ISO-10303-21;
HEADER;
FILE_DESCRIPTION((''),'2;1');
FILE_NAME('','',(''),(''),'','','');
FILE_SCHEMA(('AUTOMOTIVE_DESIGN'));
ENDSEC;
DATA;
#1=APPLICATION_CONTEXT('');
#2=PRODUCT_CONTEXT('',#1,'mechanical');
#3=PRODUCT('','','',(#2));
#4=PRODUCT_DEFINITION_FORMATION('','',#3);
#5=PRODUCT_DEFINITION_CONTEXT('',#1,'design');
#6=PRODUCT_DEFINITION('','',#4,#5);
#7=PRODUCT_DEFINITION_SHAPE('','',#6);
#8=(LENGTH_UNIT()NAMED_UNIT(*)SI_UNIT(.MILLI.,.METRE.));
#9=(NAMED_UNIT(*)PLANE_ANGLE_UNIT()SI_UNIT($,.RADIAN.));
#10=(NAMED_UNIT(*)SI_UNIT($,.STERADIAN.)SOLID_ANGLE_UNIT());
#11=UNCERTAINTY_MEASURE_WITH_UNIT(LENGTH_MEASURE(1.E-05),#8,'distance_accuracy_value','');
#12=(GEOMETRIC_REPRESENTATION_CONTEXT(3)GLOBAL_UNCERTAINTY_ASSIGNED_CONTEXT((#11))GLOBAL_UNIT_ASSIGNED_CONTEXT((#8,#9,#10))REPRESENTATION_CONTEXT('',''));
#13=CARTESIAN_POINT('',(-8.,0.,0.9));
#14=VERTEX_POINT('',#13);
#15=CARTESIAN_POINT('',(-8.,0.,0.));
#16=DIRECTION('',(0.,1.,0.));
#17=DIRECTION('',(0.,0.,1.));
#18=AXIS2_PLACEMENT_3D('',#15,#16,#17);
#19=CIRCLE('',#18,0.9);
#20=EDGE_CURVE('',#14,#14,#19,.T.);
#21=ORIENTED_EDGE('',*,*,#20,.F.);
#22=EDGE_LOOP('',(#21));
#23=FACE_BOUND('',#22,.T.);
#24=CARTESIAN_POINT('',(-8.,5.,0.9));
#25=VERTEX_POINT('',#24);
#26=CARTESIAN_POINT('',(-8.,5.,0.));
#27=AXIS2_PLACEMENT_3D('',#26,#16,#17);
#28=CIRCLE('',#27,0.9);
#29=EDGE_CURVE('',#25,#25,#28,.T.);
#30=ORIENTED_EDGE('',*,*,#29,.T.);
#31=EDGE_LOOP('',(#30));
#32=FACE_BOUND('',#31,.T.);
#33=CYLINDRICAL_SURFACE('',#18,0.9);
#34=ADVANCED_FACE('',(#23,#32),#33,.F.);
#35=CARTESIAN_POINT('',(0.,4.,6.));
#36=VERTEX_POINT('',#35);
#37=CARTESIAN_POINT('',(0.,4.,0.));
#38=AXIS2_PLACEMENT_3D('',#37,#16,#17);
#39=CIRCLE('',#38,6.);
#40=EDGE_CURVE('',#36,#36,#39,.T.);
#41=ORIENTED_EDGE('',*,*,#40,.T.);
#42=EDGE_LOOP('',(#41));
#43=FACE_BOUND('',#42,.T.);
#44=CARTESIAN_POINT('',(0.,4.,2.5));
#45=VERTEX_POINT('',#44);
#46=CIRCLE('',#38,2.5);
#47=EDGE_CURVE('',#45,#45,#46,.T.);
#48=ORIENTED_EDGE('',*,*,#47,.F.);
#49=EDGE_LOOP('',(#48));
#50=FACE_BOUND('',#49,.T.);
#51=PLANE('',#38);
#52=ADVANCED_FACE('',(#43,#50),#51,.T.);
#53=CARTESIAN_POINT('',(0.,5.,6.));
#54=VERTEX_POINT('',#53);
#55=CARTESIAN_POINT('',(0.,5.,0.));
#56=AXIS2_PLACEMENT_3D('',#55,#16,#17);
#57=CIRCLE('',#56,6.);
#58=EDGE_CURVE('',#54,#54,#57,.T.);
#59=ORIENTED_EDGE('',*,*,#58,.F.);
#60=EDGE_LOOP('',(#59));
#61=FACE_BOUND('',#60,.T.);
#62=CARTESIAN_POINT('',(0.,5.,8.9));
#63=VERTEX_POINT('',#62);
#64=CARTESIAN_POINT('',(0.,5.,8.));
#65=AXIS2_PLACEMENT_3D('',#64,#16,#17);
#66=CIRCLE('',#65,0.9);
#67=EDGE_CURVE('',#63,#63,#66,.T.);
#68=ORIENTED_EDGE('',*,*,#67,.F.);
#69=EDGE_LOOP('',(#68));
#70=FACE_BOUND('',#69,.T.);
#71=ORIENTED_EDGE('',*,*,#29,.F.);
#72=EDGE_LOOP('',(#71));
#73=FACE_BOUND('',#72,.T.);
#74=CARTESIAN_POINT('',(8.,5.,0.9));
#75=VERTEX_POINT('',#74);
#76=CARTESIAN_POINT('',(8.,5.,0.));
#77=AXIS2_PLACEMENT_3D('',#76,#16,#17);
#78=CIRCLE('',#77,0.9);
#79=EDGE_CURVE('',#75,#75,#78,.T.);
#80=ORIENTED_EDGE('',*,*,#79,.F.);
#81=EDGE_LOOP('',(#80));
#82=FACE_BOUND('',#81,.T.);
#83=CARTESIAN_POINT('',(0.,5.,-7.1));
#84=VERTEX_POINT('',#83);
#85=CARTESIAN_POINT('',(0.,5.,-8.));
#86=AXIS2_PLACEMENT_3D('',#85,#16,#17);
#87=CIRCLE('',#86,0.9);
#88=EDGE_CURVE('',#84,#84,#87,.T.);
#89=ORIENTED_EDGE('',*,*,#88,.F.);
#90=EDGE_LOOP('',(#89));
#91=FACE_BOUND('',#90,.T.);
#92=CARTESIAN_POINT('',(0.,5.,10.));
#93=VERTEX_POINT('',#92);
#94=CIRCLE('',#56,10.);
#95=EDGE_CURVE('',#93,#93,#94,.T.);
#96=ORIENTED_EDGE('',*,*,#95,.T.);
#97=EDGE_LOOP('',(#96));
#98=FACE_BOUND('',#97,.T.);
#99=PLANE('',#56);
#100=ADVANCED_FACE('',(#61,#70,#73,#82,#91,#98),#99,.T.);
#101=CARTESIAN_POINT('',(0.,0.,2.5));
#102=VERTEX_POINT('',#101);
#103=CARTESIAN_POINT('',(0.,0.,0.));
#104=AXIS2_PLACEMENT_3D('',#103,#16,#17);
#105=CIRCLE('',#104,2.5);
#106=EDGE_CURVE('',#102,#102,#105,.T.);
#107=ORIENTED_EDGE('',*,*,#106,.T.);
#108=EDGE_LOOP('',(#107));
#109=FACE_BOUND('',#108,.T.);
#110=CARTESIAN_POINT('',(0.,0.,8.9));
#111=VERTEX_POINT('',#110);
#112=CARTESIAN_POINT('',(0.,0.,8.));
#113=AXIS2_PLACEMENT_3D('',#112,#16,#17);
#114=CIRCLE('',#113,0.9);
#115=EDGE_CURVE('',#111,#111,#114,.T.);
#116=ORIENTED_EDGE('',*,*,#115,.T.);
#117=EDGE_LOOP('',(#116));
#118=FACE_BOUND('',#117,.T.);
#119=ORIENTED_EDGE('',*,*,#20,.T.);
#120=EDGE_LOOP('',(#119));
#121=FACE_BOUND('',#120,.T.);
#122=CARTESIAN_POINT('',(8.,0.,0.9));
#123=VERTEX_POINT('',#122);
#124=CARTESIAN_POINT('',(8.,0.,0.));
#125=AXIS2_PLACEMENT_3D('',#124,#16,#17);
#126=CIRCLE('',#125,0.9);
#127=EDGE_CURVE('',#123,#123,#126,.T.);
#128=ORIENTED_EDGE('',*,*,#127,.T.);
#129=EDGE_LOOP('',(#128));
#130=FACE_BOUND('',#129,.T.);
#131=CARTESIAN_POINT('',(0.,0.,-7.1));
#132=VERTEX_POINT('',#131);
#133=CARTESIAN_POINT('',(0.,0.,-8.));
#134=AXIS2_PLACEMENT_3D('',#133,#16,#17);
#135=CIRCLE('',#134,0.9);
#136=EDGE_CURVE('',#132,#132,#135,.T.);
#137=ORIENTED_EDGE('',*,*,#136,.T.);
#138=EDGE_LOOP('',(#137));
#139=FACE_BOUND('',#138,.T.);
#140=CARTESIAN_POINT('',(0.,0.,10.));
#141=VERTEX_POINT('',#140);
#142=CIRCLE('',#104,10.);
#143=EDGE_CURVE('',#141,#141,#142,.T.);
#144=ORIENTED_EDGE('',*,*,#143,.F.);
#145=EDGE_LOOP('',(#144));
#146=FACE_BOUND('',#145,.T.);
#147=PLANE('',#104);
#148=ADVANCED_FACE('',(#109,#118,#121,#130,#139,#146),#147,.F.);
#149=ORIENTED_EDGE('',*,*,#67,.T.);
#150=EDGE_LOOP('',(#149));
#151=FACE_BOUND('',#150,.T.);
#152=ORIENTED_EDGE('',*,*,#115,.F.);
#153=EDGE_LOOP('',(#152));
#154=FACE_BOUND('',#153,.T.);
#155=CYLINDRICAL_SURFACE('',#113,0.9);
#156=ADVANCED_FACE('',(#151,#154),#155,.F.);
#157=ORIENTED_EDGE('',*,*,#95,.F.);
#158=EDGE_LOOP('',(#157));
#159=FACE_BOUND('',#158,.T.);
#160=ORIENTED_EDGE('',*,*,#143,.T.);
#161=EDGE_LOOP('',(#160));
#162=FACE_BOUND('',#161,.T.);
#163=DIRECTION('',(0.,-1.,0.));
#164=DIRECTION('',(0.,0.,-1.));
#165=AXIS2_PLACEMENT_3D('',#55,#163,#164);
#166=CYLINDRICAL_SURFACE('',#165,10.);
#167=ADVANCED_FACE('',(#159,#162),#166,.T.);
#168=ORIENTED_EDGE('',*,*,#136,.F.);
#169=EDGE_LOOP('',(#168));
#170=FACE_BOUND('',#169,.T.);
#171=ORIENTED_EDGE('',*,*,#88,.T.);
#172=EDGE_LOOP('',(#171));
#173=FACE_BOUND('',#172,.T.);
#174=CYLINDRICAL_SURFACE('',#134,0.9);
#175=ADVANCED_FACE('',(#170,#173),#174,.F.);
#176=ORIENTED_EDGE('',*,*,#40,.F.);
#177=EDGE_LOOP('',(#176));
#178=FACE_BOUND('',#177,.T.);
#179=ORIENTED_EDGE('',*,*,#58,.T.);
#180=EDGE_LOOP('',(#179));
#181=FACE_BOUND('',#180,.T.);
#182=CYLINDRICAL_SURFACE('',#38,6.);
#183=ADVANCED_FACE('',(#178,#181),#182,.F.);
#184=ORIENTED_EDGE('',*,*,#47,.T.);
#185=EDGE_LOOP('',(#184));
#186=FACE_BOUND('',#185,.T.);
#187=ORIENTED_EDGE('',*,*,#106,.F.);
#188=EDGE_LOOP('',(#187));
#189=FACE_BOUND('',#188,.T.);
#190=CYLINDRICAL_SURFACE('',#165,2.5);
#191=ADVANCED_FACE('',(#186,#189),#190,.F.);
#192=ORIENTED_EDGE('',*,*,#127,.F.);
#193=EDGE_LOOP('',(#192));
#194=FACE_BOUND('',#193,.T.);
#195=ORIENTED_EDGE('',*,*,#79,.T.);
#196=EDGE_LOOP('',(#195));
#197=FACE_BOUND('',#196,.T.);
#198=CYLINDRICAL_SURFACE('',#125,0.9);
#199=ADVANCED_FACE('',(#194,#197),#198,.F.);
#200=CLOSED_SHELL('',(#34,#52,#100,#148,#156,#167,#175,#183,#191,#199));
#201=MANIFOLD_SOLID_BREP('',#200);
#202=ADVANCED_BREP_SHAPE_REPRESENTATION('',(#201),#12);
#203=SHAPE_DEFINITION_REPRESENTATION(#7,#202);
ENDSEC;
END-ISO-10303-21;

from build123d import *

# Parameters (mm, degrees)
SKETCH_1_R          = 10
SKETCH_1_R_2        = 2.5
EXTRUDE_1_DEPTH     = 5
SKETCH_2_R          = 6
CUT_EXTRUDE_1_DEPTH = 1
SKETCH_3_R          = 0.9
CUT_EXTRUDE_2_DEPTH = 16


with BuildPart() as part:
    # 草图1 → 凸台-拉伸1 (new body)
    with BuildSketch(Plane(origin=(0, 0, 0), x_dir=(1, 0, 0), z_dir=(0, 1, 0))):
        with Locations(Location((0, 0, 0), (0, 0, 270))):
            Circle(SKETCH_1_R)
        with Locations(Location((0, 0, 0), (0, 0, 270))):
            Circle(SKETCH_1_R_2, mode=Mode.SUBTRACT)
    extrude(amount=EXTRUDE_1_DEPTH)

    # 草图2 → 切除-拉伸1 (cut)
    with BuildSketch(Plane(origin=(0, 5, 0), x_dir=(1, 0, 0), z_dir=(0, 1, 0))):
        with Locations(Location((0, 0, 0), (0, 0, 270))):
            Circle(SKETCH_2_R)
    extrude(amount=-CUT_EXTRUDE_1_DEPTH, mode=Mode.SUBTRACT)

    # 草图3 → 切除-拉伸2 (cut, through all)
    with BuildSketch(Plane(origin=(0, 5, 0), x_dir=(1, 0, 0), z_dir=(0, 1, 0))):
        with Locations(Location((0, 8, 0), (0, 0, 270))):
            Circle(SKETCH_3_R)
        with Locations(Location((8, 0, 0), (0, 0, 270))):
            Circle(SKETCH_3_R)
        with Locations(Location((0, -8, 0), (0, 0, 270))):
            Circle(SKETCH_3_R)
        with Locations(Location((-8, 0, 0), (0, 0, 270))):
            Circle(SKETCH_3_R)
    extrude(amount=-CUT_EXTRUDE_2_DEPTH, mode=Mode.SUBTRACT)


solid = part.part
